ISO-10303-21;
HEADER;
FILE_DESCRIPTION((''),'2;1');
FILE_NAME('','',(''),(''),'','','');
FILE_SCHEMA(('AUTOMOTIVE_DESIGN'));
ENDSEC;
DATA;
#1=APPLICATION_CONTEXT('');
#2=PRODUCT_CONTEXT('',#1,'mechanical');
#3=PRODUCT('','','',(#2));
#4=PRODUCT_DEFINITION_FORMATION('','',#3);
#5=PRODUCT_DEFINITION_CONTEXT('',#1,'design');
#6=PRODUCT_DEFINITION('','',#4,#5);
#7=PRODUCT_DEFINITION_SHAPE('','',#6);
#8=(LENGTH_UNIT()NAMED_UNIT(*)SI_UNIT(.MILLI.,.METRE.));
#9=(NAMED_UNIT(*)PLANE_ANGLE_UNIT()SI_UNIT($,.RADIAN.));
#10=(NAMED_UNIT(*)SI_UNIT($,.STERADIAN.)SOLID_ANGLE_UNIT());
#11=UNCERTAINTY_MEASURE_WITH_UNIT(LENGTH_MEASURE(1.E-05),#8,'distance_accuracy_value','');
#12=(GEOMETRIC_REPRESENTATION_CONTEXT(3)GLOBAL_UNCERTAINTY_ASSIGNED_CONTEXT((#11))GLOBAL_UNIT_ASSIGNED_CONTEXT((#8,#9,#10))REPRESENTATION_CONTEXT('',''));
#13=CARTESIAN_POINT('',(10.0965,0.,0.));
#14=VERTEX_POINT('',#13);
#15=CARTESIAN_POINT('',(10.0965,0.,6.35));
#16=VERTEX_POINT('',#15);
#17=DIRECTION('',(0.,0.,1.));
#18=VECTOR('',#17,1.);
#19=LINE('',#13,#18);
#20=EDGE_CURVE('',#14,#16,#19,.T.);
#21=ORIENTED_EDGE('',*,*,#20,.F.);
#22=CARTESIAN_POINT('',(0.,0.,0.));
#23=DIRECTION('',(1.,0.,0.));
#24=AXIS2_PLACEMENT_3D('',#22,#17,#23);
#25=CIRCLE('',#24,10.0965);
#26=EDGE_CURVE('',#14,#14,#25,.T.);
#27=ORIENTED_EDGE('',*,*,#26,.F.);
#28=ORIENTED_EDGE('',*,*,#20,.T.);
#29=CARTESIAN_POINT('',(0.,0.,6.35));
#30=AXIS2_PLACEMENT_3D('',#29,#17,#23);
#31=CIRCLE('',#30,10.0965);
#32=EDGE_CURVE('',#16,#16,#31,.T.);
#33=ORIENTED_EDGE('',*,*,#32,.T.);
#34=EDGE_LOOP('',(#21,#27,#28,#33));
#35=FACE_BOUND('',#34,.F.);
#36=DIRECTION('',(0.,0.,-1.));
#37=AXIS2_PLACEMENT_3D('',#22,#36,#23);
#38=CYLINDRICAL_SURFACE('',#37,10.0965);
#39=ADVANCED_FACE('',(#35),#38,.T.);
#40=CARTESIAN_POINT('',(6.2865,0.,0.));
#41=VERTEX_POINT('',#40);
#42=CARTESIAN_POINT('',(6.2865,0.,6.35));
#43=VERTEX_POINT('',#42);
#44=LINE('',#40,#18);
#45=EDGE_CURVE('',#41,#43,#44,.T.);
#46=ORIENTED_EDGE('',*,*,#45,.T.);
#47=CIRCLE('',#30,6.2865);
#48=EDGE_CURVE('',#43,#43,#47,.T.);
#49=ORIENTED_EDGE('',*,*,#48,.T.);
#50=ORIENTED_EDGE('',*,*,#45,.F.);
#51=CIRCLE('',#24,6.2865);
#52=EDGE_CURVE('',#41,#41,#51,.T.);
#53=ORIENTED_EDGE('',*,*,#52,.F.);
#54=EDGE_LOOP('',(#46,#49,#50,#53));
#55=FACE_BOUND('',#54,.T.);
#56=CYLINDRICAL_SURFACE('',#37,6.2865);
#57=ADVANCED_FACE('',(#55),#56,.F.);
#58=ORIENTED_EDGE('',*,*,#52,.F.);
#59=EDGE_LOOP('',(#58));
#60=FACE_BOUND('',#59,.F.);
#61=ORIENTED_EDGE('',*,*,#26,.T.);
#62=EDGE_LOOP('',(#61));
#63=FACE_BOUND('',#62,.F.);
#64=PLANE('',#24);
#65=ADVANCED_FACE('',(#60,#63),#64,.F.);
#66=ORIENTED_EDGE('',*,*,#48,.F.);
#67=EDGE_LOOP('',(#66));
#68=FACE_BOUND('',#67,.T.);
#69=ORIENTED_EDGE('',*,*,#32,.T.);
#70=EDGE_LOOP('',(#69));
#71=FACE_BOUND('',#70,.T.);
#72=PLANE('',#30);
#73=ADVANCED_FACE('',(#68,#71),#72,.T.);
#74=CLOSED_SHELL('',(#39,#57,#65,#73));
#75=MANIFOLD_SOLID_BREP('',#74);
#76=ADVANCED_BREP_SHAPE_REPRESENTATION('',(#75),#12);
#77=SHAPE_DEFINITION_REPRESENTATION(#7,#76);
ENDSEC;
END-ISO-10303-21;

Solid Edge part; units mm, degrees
sketch "Sketch1" plane through (0, 0, 0) normal (0, 0, 1) x (1, 0, 0)
  circle A0 centre (0, 0) radius 10.0965
  circle A1 centre (0, 0) radius 6.2865
  dimension "D1" = 20.193
  dimension "D2" = 12.573
extrude "Protrusion1" add sketch "Sketch1" along normal blind 6.35
